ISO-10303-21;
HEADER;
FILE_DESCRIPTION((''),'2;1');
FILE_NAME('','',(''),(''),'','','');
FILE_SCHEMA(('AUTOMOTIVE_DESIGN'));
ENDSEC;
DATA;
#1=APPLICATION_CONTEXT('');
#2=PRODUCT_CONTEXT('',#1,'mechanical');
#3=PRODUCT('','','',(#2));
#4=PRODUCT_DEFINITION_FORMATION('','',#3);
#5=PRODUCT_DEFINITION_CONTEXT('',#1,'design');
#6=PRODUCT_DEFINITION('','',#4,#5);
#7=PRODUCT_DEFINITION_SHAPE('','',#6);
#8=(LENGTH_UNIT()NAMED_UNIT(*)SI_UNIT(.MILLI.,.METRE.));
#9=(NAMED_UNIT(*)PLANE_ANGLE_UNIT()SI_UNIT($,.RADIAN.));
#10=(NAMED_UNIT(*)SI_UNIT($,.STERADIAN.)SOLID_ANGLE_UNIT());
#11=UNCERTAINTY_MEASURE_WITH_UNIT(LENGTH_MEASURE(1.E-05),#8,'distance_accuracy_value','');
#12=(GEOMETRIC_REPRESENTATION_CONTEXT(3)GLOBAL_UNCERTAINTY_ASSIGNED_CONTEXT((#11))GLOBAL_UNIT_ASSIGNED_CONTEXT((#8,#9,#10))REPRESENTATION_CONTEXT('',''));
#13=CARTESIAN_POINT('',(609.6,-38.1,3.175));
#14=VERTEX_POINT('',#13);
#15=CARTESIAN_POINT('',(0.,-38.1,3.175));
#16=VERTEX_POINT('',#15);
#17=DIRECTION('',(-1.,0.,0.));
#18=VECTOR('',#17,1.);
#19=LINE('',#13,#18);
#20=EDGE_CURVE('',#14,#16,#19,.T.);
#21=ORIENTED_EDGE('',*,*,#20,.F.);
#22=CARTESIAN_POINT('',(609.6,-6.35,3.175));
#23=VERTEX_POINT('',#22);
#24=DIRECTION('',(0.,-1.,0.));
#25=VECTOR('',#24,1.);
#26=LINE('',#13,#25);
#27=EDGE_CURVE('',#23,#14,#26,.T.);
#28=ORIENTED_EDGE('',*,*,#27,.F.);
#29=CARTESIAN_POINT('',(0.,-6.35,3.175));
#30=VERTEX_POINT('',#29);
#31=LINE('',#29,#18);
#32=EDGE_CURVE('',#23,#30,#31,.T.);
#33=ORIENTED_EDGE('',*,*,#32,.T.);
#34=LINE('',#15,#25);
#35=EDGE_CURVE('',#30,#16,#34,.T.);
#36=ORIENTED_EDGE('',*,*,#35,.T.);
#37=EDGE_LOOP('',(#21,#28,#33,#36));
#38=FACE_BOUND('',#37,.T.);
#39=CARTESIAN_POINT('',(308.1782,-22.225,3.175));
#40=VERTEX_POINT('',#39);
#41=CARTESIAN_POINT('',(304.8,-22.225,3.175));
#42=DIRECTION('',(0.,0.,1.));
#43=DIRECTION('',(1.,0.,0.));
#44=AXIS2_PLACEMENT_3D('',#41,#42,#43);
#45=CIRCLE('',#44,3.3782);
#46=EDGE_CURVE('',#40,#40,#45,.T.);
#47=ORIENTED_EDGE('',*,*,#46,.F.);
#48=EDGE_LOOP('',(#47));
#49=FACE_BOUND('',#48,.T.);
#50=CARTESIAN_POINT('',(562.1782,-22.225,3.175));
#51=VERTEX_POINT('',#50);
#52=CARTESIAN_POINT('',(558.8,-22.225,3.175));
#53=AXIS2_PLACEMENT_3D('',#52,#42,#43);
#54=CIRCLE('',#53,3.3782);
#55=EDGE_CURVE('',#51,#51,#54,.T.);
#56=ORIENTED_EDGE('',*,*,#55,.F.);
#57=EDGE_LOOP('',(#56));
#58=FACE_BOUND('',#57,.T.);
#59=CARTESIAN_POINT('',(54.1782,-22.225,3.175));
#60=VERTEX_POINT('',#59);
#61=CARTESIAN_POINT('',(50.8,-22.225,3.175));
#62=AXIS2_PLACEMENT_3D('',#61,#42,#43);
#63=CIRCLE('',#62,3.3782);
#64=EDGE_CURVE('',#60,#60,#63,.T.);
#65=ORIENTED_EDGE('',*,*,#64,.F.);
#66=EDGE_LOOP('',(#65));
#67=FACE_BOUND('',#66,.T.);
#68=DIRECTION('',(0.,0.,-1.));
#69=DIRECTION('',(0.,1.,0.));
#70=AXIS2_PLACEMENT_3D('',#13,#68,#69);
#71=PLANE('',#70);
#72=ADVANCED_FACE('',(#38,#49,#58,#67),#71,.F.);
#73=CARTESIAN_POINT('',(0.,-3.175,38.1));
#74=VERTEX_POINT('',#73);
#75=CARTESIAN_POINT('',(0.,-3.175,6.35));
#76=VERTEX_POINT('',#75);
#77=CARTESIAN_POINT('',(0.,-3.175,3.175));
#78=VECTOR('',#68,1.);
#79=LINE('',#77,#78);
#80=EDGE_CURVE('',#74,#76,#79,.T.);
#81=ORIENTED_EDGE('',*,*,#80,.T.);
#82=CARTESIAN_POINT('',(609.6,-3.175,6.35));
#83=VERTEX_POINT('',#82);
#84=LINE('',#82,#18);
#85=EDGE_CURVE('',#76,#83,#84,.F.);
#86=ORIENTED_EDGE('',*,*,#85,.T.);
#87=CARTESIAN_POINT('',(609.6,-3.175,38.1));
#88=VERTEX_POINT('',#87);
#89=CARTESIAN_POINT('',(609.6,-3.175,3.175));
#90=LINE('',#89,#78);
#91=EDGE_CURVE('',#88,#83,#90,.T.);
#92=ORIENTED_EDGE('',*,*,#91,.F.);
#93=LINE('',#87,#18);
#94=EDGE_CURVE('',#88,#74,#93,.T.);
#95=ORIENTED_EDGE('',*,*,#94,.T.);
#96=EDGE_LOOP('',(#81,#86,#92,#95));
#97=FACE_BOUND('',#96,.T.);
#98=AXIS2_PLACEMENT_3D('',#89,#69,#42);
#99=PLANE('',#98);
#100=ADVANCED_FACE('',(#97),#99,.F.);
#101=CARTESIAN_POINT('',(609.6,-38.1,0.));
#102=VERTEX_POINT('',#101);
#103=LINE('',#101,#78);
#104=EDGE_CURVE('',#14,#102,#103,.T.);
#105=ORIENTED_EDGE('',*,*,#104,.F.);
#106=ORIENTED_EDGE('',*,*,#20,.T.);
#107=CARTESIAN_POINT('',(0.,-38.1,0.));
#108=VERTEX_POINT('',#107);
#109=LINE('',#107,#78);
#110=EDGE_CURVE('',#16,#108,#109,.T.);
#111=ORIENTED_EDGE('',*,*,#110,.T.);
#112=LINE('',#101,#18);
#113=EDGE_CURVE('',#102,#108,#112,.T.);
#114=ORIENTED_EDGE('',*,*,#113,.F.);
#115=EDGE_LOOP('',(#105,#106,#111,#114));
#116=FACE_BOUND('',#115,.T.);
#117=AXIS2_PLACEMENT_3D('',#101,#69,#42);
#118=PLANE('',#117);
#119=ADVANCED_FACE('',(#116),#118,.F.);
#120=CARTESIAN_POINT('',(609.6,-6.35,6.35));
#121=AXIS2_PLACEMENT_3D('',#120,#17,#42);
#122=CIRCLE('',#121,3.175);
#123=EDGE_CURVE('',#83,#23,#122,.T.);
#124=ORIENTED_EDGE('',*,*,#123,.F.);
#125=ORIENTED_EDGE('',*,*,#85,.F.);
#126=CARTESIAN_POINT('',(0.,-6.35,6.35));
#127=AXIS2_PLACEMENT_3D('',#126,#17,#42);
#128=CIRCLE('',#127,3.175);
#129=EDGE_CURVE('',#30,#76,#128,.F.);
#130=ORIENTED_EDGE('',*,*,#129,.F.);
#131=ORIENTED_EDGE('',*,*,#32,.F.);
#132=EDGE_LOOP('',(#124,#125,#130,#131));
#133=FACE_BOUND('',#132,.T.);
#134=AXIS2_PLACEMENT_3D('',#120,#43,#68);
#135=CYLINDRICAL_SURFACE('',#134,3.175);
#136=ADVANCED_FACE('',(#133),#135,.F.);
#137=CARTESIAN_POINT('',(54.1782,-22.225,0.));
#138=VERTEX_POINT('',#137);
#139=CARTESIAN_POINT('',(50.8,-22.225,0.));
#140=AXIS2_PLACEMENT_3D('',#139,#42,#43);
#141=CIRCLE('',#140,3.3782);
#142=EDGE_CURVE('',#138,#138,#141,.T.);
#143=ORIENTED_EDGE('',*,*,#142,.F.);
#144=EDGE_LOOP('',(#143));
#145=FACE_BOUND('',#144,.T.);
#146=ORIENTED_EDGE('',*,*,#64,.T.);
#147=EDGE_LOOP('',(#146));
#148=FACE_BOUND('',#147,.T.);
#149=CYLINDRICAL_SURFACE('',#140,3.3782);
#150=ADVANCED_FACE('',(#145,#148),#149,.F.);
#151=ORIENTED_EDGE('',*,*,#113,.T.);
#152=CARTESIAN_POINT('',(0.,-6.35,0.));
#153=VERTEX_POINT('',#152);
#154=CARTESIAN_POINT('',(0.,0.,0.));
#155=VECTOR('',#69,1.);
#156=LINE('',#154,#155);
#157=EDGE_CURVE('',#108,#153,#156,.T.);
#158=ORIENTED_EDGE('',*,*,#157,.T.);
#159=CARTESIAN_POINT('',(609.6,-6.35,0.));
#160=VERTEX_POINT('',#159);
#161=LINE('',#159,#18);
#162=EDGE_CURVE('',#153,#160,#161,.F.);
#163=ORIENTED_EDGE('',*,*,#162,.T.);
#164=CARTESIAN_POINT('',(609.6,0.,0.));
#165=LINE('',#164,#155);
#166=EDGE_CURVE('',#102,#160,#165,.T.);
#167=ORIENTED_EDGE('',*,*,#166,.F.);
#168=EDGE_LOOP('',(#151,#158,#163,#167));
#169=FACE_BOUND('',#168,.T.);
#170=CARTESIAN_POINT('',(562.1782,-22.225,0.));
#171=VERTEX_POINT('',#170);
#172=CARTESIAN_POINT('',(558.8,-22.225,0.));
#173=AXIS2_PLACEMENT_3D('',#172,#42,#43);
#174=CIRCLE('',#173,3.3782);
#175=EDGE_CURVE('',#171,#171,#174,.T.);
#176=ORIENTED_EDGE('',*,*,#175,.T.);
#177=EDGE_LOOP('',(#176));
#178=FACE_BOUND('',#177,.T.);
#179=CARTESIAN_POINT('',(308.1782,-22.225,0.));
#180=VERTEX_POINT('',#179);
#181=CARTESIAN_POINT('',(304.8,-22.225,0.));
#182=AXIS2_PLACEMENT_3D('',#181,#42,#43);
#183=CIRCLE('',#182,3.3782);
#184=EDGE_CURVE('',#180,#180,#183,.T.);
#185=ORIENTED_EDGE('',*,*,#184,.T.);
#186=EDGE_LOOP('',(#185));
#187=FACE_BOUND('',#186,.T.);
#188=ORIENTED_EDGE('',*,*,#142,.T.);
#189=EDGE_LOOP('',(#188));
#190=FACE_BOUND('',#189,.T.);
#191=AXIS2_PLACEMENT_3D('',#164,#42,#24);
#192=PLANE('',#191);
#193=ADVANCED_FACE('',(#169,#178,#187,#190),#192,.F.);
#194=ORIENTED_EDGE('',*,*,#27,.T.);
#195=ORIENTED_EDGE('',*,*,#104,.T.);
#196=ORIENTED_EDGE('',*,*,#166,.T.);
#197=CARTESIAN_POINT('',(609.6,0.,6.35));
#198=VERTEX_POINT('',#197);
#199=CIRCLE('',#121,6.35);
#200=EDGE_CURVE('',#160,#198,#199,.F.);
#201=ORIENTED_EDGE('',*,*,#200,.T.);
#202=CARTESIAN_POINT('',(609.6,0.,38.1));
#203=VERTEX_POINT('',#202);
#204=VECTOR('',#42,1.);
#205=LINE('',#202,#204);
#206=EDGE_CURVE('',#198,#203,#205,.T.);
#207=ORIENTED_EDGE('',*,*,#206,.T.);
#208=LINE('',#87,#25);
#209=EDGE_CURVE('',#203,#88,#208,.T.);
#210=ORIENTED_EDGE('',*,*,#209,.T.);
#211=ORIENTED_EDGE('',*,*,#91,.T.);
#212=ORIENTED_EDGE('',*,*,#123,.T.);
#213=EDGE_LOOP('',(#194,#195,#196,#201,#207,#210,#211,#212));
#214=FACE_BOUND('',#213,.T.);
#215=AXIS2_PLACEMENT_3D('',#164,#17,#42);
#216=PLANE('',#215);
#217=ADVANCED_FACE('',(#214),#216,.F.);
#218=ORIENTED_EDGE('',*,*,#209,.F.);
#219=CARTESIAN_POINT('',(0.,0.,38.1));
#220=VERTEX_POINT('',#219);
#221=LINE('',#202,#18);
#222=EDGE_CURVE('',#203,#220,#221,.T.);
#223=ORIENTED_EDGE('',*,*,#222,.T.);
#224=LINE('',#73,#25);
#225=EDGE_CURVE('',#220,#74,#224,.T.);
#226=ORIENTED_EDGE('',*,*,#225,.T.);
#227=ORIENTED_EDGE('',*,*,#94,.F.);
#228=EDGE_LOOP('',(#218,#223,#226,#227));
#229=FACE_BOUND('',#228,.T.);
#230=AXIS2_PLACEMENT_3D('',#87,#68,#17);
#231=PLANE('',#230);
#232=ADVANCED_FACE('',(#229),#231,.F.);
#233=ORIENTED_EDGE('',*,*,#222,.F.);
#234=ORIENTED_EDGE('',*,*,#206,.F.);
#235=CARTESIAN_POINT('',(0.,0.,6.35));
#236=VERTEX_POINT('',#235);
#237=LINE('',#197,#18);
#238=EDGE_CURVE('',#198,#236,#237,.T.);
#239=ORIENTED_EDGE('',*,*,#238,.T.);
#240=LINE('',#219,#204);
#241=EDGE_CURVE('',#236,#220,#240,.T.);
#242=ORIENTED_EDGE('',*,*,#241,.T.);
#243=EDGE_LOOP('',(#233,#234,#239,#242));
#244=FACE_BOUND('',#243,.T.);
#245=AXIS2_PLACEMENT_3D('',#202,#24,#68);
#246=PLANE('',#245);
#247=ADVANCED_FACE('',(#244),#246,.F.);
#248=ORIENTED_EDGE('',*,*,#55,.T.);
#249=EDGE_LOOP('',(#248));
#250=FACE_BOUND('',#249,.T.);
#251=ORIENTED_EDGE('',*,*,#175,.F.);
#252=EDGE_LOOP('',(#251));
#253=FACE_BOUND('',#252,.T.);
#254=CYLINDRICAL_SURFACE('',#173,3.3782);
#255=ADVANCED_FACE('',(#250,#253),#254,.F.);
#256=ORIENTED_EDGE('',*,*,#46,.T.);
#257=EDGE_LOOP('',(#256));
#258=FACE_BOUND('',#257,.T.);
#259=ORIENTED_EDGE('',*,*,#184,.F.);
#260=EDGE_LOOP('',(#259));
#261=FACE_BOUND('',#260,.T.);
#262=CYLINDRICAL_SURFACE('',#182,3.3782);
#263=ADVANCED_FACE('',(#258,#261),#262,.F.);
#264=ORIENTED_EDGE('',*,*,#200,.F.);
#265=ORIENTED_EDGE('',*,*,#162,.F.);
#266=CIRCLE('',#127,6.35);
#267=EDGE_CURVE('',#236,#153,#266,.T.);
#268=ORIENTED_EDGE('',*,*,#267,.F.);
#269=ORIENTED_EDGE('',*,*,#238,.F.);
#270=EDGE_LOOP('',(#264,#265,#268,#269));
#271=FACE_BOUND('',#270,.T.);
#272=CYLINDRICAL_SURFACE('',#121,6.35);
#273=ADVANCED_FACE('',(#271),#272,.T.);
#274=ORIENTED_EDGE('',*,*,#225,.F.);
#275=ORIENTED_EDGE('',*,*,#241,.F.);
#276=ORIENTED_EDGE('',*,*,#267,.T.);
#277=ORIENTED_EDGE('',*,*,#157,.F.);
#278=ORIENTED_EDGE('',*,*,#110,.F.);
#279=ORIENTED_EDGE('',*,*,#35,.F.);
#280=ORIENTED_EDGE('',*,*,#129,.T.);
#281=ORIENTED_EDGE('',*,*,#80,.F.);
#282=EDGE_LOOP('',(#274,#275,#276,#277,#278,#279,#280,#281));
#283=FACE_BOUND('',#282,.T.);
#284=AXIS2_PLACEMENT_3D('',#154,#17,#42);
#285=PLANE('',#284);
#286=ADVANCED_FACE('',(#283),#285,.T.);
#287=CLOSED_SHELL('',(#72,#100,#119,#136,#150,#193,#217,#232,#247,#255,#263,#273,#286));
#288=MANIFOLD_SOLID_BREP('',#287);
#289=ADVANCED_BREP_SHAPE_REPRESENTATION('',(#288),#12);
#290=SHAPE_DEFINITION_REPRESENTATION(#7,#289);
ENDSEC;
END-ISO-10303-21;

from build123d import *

# Parameters (mm, degrees)
BOSS_EXTRUDE1_DEPTH = 609.6
FILLET1_R           = 3.175
FILLET2_R           = 6.35
SKETCH3_R           = 3.3782
CUT_EXTRUDE1_DEPTH  = 4.175


with BuildPart() as part:
    # Sketch2 → Boss-Extrude1 (new body)
    with BuildSketch(Plane(origin=(0, 0, 0), x_dir=(0, 0, -1), z_dir=(1, 0, 0))):
        Polygon((-38.1, 0), (0, 0), (0, -38.1), (-3.175, -38.1), (-3.175, -3.175), (-38.1, -3.175), align=None)
    extrude(amount=BOSS_EXTRUDE1_DEPTH)

    # Fillet1
    fillet1_edges = [part.edges().sort_by_distance(p)[0] for p in [
        (304.8, -3.175, 3.175),
    ]]
    fillet(fillet1_edges, radius=FILLET1_R)

    # Fillet2
    fillet2_edges = [part.edges().sort_by_distance(p)[0] for p in [
        (304.8, 0, 0),
    ]]
    fillet(fillet2_edges, radius=FILLET2_R)

    # Sketch3 → Cut-Extrude1 (cut, through all)
    with BuildSketch(Plane.XY.offset(3.175)):
        with Locations((304.8, -22.225)):
            Circle(SKETCH3_R)
        with Locations((558.8, -22.225)):
            Circle(SKETCH3_R)
        with Locations((50.8, -22.225)):
            Circle(SKETCH3_R)
    extrude(amount=-CUT_EXTRUDE1_DEPTH, mode=Mode.SUBTRACT)


solid = part.part
